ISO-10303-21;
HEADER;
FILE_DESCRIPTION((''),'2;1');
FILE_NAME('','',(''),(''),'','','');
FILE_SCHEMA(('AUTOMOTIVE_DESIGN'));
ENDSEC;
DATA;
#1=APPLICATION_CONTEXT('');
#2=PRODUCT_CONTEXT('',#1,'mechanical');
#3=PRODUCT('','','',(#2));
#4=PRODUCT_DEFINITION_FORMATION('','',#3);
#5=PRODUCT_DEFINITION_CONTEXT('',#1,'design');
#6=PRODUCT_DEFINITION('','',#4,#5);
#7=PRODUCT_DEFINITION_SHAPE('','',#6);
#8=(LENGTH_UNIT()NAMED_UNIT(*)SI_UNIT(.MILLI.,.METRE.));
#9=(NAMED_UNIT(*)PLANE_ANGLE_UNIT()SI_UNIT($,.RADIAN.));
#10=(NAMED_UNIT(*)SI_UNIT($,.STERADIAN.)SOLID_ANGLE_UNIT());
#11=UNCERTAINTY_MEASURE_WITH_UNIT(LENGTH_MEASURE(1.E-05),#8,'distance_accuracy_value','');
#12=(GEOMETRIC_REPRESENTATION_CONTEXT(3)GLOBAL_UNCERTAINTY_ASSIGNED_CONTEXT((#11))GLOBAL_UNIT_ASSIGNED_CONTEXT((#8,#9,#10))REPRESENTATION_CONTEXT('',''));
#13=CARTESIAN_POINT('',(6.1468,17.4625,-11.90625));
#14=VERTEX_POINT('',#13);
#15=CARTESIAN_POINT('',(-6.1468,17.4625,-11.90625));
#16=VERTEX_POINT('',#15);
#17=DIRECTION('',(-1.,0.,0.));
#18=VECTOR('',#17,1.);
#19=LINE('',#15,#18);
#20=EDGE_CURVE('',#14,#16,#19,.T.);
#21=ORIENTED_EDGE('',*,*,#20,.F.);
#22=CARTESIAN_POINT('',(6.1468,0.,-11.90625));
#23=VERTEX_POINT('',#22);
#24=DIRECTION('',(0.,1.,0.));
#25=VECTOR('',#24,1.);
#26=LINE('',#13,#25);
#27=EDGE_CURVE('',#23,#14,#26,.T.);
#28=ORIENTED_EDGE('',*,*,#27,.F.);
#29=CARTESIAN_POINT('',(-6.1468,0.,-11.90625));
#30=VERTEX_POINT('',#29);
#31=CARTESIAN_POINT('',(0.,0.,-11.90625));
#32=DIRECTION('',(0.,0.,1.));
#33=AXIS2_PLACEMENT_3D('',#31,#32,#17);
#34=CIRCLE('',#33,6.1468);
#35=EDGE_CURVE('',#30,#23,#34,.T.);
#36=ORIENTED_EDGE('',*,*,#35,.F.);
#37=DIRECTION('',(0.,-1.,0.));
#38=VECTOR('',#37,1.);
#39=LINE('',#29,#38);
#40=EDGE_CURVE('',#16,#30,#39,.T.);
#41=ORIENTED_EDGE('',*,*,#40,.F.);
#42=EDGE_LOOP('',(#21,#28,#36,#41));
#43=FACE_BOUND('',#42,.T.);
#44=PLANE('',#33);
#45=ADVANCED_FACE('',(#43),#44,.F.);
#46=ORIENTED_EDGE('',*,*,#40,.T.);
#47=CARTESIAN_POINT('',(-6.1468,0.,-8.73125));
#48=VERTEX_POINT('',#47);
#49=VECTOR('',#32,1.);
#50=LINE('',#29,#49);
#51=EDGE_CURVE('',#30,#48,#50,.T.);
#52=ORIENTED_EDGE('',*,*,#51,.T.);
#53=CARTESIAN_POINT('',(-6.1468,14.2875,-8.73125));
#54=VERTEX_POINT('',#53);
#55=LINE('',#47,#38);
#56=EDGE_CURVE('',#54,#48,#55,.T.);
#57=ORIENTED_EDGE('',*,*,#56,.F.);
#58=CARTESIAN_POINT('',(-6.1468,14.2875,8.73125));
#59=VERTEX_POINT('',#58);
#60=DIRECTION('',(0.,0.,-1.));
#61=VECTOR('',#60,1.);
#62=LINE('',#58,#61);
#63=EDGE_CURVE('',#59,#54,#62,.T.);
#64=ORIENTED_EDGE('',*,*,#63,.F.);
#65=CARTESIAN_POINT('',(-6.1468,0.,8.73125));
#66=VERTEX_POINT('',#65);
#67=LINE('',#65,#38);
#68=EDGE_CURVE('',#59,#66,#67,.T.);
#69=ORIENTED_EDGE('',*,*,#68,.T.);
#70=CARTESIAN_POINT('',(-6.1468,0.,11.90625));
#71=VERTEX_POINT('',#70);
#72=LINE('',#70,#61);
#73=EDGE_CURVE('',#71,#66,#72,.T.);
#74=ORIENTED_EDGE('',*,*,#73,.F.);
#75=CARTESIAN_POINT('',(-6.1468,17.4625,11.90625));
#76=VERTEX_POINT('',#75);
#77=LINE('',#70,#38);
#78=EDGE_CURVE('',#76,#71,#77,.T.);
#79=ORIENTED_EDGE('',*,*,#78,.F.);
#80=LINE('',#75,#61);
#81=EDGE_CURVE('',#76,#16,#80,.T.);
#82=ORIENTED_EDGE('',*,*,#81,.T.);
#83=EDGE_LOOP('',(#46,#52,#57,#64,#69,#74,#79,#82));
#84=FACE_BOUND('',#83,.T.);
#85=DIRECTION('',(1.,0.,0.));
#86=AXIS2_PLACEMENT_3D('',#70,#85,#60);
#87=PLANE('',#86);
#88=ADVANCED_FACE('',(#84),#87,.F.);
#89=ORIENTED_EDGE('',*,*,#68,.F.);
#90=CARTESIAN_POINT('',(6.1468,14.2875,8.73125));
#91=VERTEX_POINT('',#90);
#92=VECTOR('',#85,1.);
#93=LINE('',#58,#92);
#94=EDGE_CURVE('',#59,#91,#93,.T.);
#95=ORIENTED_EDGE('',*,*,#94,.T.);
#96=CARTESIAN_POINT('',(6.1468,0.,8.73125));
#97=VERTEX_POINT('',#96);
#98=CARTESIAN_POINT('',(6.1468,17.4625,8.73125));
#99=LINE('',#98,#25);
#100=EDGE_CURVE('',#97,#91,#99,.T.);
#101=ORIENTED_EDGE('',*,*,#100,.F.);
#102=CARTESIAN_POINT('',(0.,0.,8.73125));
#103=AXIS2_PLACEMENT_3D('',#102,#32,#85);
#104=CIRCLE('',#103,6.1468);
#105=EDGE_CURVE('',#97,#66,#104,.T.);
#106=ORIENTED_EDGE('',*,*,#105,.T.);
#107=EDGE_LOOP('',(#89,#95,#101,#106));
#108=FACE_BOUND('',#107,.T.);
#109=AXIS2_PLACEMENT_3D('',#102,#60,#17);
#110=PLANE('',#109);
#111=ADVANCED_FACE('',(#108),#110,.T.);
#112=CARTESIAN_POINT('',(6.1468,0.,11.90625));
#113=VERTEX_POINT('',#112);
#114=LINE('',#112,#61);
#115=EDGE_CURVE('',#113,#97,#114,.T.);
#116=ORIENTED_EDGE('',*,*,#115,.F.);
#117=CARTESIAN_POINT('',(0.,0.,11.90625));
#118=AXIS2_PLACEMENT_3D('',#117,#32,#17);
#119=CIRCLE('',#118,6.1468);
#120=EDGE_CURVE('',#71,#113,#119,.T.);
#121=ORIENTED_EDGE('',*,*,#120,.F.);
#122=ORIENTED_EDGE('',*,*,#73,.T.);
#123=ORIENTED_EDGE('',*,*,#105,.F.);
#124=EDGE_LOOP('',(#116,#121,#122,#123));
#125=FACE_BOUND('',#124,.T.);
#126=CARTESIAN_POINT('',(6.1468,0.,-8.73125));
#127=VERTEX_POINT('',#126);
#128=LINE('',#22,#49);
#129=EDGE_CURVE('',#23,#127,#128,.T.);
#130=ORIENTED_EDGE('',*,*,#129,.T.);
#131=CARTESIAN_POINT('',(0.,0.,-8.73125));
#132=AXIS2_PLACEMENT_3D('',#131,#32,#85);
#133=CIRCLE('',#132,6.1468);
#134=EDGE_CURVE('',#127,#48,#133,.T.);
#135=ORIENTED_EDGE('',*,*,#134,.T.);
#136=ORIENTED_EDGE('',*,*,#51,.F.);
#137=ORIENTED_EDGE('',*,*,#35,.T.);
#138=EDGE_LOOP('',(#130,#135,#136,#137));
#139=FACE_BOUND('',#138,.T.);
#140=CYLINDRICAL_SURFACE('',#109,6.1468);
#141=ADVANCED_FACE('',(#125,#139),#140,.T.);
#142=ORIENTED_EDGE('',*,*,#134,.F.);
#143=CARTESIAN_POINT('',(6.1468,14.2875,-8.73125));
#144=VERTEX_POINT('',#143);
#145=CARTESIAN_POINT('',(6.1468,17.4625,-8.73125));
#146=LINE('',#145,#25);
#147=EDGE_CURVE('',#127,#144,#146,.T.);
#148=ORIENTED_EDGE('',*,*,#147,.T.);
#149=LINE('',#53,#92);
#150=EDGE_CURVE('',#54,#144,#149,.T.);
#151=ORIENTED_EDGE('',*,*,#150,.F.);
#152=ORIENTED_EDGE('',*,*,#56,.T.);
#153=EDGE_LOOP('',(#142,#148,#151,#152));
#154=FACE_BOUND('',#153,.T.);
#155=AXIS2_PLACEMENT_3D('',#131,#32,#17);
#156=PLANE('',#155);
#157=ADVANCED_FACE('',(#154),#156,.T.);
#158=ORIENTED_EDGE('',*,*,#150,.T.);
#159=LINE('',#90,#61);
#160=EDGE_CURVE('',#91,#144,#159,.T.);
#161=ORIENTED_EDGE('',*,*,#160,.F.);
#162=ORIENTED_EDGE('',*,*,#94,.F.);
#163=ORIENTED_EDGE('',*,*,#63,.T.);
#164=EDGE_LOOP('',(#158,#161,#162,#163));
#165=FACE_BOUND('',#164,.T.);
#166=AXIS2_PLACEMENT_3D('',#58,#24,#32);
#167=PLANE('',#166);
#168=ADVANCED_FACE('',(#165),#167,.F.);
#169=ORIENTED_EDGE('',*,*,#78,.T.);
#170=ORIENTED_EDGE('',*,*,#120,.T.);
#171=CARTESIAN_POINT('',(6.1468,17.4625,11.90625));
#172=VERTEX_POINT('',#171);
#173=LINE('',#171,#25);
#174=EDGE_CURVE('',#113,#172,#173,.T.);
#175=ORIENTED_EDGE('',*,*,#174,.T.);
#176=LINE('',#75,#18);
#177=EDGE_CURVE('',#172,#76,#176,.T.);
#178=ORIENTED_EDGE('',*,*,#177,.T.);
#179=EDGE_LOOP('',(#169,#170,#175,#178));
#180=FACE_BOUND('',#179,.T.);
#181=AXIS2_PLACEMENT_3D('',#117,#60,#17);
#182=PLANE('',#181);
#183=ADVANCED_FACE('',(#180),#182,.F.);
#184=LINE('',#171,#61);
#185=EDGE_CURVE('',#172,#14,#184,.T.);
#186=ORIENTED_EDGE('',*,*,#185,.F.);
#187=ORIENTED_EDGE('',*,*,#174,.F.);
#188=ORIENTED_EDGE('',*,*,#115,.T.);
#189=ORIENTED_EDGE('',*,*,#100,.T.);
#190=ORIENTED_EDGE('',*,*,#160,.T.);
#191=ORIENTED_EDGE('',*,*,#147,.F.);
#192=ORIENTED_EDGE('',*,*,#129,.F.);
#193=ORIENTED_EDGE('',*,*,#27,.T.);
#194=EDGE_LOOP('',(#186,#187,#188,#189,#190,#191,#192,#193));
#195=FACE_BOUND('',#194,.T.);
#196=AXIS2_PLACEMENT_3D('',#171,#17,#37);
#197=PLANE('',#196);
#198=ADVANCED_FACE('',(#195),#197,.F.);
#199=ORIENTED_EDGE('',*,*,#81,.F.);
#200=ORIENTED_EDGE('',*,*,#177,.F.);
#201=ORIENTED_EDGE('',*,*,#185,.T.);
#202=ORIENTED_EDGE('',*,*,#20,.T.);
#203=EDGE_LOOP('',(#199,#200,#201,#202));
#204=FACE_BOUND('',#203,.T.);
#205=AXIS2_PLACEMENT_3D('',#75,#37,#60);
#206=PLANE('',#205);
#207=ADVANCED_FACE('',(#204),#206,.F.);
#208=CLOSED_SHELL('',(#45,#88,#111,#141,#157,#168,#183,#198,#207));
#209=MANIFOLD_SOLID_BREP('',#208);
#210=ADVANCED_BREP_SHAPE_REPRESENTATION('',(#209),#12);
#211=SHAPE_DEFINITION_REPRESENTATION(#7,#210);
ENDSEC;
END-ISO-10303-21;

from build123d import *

# Parameters (mm, degrees)
SKETCH1_R             = 6.1468
BOSS_EXTRUDE1_DEPTH   = 8.73125
SKETCH1_W             = 12.2936
SKETCH1_H             = 3.175
BOSS_EXTRUDE1_2_DEPTH = 8.73125
BOSS_EXTRUDE2_START   = 3.175
BOSS_EXTRUDE2_DEPTH   = 3.175


with BuildPart() as part:
    # Sketch1 → Boss-Extrude1 (new, symmetric)
    with BuildSketch(Plane.XY):
        Circle(SKETCH1_R)
    extrude(amount=BOSS_EXTRUDE1_DEPTH, both=True)



with BuildPart() as body_2:
    # Sketch1 → Boss-Extrude1 2 (new, symmetric)
    with BuildSketch(Plane.XY):
        with Locations((0, 15.875)):
            Rectangle(SKETCH1_W, SKETCH1_H)
    extrude(amount=BOSS_EXTRUDE1_2_DEPTH, both=True)


with BuildPart() as part_1:
    add(part.part)

    add(body_2.part)  # Boss-Extrude2 merges body 2
    # Sketch2 → Boss-Extrude2 (add)
    with BuildSketch(Plane.XY.offset(8.73125).offset(BOSS_EXTRUDE2_START)):
        with BuildLine():
            Line((-6.1468, 0), (-6.1468, 17.4625))
            Line((-6.1468, 17.4625), (6.1468, 17.4625))
            Line((6.1468, 17.4625), (6.1468, 0))
            ThreePointArc((6.1468, 0), (0, -6.1468), (-6.1468, 0))
        make_face()
    boss_extrude2 = extrude(amount=-BOSS_EXTRUDE2_DEPTH)

    # Mirror1: Boss-Extrude2 across plane
    add(boss_extrude2.mirror(Plane.XY))


solid = part_1.part
